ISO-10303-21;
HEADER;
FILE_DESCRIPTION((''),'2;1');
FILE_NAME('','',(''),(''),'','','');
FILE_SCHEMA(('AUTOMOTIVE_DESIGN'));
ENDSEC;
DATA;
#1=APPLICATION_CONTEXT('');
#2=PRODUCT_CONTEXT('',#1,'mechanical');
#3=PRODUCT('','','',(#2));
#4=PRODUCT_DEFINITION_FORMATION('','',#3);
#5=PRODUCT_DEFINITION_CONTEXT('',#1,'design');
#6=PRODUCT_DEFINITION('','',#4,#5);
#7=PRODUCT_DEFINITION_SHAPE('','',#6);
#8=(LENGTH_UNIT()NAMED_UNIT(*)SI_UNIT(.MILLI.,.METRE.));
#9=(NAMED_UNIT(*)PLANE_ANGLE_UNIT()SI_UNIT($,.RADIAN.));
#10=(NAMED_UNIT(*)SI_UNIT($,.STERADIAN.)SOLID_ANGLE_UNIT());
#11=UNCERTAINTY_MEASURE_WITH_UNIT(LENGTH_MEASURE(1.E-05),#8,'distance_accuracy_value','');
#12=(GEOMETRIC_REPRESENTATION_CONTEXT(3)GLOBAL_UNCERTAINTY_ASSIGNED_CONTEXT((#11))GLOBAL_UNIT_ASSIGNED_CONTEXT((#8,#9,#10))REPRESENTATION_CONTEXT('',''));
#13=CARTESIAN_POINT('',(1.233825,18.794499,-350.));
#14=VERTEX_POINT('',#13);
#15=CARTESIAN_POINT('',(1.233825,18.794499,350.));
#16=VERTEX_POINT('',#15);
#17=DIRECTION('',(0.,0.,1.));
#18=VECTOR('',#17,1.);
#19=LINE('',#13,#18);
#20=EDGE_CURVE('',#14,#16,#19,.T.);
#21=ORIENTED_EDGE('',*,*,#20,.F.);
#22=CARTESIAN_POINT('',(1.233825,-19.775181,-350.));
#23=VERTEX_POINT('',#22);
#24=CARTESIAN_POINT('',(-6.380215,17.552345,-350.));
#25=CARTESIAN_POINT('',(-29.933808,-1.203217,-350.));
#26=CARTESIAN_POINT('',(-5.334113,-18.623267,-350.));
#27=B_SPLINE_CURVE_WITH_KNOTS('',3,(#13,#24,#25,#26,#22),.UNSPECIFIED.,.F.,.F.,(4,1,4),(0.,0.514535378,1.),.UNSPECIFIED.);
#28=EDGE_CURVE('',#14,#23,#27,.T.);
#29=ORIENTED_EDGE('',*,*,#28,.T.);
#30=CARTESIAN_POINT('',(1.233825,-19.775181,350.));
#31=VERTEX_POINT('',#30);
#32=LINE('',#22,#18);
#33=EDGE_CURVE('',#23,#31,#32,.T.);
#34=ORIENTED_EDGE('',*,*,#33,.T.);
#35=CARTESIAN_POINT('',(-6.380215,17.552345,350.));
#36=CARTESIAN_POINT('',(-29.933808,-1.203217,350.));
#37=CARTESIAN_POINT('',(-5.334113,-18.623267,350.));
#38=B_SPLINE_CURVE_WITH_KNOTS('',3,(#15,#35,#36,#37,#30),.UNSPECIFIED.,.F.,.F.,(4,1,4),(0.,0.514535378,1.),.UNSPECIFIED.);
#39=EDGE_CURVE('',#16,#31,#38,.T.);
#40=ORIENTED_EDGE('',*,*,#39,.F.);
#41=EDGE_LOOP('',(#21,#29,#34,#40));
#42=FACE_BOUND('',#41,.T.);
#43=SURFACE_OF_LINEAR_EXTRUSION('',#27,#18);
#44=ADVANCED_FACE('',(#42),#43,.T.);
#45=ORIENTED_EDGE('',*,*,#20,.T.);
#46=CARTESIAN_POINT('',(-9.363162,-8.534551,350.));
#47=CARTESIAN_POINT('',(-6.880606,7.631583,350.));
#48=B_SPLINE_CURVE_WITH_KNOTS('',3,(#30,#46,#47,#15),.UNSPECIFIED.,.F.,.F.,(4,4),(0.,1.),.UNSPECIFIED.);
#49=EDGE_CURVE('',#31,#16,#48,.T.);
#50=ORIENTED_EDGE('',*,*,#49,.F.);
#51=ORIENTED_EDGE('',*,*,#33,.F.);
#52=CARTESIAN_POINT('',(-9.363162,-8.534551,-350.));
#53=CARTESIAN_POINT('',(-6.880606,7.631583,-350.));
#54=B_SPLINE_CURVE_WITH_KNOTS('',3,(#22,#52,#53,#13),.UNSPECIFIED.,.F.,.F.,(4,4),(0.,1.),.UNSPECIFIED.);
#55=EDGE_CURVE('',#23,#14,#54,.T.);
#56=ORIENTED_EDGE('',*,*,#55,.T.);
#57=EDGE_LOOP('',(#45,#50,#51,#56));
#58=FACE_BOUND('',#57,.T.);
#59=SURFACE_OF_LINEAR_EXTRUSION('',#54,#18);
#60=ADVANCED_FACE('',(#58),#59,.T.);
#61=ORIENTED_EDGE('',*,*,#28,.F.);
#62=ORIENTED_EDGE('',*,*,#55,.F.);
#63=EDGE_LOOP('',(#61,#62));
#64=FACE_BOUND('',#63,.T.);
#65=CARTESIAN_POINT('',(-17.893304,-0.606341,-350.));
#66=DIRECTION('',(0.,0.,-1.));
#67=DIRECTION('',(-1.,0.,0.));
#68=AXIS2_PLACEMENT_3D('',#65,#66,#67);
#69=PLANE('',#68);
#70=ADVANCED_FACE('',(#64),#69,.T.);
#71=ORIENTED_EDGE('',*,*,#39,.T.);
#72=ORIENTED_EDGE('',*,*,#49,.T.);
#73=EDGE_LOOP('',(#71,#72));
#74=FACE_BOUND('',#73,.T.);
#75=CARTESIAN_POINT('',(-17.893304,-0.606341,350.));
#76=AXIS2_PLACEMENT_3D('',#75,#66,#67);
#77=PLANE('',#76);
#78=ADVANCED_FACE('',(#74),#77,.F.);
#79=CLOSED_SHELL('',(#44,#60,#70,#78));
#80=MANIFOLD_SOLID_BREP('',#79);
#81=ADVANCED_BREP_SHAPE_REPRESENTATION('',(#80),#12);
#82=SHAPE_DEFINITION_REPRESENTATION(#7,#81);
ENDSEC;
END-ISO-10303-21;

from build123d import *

# Parameters (mm, degrees)
BOSS_EXTRUDE1_DEPTH      = 350
BOSS_EXTRUDE1_DEPTH_BACK = 350


with BuildPart() as part:
    # Sketch2 → Boss-Extrude1 (new, two sides: drawn at the far end of the back side and taken through both)
    with BuildSketch(Plane.XY.offset(-BOSS_EXTRUDE1_DEPTH_BACK)):
        with BuildLine():
            add(Edge.make_bspline(
                [(1.233824634, 18.794499467), (-6.88060644, 7.631583164), (-9.36316199, -8.534550751), (1.233824634, -19.775180741)],
                knots=[0, 0, 0, 0, 1, 1, 1, 1], degree=3))
            add(Edge.make_bspline(
                [(1.233824634, 18.794499467), (-6.380214916, 17.552345059), (-29.933808279, -1.203216859), (-5.334113331, -18.623266636), (1.233824634, -19.775180741)],
                knots=[0, 0, 0, 0, 0.514535378, 1, 1, 1, 1], degree=3))
        make_face()
    extrude(amount=BOSS_EXTRUDE1_DEPTH + BOSS_EXTRUDE1_DEPTH_BACK)


solid = part.part
